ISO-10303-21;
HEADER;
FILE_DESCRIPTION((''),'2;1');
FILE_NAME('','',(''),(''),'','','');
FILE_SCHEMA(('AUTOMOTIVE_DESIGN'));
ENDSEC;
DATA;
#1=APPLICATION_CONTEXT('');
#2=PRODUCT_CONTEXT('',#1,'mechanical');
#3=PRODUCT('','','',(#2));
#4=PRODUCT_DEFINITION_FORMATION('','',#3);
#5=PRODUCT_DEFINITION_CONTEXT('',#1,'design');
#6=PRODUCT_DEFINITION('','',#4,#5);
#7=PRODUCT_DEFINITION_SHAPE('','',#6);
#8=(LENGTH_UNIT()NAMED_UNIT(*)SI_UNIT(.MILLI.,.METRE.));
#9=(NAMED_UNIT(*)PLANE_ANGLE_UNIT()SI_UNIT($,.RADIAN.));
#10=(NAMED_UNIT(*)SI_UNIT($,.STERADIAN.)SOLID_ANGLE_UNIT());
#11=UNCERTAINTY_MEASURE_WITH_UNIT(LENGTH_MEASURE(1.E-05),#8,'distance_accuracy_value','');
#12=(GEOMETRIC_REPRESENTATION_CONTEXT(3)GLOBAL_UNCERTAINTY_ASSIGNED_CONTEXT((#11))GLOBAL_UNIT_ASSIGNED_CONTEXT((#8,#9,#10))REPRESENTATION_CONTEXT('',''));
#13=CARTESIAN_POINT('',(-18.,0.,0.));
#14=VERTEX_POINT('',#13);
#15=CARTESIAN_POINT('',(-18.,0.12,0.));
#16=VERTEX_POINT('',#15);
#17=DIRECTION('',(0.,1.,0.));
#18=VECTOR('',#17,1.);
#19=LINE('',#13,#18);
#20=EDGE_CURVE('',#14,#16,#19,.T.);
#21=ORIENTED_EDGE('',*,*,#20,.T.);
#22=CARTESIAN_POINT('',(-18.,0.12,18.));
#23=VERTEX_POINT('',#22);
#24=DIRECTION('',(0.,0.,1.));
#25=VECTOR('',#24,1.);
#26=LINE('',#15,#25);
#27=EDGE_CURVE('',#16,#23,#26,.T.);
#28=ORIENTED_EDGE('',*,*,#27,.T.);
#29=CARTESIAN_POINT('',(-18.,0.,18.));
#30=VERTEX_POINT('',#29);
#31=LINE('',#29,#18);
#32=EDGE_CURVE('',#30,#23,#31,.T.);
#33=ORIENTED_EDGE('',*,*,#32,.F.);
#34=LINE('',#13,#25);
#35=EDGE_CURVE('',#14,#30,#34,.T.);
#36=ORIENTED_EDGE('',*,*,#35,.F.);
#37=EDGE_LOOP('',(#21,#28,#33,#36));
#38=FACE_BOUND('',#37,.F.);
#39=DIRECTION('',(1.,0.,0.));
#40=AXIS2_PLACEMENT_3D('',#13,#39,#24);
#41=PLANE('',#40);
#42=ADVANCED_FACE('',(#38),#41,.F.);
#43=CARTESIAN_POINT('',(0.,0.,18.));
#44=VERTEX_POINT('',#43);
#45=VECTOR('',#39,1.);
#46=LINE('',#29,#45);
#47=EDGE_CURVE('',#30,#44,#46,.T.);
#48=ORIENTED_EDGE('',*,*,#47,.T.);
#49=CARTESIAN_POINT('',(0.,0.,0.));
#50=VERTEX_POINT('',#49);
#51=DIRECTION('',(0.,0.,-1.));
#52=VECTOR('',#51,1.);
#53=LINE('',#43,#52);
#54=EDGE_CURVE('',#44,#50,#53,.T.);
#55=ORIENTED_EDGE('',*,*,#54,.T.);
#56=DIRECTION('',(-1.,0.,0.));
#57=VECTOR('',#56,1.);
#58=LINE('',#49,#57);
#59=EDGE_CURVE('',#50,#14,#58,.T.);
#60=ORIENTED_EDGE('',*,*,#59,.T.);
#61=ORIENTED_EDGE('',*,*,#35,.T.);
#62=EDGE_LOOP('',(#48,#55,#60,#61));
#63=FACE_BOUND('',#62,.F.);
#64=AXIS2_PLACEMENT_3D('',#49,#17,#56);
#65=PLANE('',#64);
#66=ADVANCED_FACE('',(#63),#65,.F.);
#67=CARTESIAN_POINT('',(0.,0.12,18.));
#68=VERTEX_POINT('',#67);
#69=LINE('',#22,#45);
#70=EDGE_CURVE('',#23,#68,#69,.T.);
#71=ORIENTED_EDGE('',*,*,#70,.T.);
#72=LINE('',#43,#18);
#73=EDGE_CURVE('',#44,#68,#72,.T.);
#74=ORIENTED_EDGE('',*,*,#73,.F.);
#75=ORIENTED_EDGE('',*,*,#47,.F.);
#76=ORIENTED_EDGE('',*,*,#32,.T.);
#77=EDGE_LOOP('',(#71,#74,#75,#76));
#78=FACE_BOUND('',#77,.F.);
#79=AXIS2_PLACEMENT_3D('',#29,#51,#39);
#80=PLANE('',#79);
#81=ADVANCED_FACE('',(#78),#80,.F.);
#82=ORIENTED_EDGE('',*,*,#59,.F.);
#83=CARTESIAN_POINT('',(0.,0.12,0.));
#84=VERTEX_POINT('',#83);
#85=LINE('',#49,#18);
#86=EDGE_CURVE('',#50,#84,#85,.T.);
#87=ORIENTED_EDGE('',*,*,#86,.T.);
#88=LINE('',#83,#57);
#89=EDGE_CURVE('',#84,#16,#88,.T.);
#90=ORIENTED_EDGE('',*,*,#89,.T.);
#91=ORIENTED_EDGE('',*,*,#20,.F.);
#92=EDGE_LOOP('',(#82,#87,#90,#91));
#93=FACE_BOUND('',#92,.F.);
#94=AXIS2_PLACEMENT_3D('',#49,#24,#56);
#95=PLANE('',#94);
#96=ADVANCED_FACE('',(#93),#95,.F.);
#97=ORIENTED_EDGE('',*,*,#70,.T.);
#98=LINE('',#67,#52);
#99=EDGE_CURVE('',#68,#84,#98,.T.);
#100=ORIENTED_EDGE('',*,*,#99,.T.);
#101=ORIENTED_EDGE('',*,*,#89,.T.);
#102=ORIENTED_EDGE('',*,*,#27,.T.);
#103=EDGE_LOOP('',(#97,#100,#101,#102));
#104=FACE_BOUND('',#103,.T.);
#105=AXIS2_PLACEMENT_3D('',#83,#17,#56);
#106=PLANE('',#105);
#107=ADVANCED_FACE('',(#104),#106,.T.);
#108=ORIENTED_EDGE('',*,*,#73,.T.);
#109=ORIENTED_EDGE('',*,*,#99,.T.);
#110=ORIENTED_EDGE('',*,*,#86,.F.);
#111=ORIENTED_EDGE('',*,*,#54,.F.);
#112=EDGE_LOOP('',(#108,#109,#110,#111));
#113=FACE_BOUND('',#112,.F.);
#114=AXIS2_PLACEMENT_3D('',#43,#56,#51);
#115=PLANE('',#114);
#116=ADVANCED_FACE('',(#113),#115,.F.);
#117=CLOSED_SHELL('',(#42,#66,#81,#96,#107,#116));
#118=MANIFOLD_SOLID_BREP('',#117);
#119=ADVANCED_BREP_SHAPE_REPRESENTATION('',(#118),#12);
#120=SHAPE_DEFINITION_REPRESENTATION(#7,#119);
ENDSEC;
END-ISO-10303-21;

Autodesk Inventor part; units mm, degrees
ref_plane "YZ Plane" through (0, 0, 0) normal (1, 0, 0) x (0, 1, 0)
ref_plane "XZ Plane" through (0, 0, 0) normal (0, 1, 0) x (-1, 0, 0)
ref_plane "XY Plane" through (0, 0, 0) normal (0, 0, 1) x (1, 0, 0)
sketch "Sketch1" plane through (0, 0, 0) normal (0, 1, 0) x (-1, 0, 0)
  line L0 (0, 0) -> (18, 0)
  line L1 (18, 0) -> (18, 18)
  line L2 (18, 18) -> (0, 18)
  line L3 (0, 18) -> (0, 0)
  dimension "d0" = 18
  dimension "d1" = 18
extrude "Extrusion1" add sketch "Sketch1" along normal blind 0.12
properties part number "stemBed"
